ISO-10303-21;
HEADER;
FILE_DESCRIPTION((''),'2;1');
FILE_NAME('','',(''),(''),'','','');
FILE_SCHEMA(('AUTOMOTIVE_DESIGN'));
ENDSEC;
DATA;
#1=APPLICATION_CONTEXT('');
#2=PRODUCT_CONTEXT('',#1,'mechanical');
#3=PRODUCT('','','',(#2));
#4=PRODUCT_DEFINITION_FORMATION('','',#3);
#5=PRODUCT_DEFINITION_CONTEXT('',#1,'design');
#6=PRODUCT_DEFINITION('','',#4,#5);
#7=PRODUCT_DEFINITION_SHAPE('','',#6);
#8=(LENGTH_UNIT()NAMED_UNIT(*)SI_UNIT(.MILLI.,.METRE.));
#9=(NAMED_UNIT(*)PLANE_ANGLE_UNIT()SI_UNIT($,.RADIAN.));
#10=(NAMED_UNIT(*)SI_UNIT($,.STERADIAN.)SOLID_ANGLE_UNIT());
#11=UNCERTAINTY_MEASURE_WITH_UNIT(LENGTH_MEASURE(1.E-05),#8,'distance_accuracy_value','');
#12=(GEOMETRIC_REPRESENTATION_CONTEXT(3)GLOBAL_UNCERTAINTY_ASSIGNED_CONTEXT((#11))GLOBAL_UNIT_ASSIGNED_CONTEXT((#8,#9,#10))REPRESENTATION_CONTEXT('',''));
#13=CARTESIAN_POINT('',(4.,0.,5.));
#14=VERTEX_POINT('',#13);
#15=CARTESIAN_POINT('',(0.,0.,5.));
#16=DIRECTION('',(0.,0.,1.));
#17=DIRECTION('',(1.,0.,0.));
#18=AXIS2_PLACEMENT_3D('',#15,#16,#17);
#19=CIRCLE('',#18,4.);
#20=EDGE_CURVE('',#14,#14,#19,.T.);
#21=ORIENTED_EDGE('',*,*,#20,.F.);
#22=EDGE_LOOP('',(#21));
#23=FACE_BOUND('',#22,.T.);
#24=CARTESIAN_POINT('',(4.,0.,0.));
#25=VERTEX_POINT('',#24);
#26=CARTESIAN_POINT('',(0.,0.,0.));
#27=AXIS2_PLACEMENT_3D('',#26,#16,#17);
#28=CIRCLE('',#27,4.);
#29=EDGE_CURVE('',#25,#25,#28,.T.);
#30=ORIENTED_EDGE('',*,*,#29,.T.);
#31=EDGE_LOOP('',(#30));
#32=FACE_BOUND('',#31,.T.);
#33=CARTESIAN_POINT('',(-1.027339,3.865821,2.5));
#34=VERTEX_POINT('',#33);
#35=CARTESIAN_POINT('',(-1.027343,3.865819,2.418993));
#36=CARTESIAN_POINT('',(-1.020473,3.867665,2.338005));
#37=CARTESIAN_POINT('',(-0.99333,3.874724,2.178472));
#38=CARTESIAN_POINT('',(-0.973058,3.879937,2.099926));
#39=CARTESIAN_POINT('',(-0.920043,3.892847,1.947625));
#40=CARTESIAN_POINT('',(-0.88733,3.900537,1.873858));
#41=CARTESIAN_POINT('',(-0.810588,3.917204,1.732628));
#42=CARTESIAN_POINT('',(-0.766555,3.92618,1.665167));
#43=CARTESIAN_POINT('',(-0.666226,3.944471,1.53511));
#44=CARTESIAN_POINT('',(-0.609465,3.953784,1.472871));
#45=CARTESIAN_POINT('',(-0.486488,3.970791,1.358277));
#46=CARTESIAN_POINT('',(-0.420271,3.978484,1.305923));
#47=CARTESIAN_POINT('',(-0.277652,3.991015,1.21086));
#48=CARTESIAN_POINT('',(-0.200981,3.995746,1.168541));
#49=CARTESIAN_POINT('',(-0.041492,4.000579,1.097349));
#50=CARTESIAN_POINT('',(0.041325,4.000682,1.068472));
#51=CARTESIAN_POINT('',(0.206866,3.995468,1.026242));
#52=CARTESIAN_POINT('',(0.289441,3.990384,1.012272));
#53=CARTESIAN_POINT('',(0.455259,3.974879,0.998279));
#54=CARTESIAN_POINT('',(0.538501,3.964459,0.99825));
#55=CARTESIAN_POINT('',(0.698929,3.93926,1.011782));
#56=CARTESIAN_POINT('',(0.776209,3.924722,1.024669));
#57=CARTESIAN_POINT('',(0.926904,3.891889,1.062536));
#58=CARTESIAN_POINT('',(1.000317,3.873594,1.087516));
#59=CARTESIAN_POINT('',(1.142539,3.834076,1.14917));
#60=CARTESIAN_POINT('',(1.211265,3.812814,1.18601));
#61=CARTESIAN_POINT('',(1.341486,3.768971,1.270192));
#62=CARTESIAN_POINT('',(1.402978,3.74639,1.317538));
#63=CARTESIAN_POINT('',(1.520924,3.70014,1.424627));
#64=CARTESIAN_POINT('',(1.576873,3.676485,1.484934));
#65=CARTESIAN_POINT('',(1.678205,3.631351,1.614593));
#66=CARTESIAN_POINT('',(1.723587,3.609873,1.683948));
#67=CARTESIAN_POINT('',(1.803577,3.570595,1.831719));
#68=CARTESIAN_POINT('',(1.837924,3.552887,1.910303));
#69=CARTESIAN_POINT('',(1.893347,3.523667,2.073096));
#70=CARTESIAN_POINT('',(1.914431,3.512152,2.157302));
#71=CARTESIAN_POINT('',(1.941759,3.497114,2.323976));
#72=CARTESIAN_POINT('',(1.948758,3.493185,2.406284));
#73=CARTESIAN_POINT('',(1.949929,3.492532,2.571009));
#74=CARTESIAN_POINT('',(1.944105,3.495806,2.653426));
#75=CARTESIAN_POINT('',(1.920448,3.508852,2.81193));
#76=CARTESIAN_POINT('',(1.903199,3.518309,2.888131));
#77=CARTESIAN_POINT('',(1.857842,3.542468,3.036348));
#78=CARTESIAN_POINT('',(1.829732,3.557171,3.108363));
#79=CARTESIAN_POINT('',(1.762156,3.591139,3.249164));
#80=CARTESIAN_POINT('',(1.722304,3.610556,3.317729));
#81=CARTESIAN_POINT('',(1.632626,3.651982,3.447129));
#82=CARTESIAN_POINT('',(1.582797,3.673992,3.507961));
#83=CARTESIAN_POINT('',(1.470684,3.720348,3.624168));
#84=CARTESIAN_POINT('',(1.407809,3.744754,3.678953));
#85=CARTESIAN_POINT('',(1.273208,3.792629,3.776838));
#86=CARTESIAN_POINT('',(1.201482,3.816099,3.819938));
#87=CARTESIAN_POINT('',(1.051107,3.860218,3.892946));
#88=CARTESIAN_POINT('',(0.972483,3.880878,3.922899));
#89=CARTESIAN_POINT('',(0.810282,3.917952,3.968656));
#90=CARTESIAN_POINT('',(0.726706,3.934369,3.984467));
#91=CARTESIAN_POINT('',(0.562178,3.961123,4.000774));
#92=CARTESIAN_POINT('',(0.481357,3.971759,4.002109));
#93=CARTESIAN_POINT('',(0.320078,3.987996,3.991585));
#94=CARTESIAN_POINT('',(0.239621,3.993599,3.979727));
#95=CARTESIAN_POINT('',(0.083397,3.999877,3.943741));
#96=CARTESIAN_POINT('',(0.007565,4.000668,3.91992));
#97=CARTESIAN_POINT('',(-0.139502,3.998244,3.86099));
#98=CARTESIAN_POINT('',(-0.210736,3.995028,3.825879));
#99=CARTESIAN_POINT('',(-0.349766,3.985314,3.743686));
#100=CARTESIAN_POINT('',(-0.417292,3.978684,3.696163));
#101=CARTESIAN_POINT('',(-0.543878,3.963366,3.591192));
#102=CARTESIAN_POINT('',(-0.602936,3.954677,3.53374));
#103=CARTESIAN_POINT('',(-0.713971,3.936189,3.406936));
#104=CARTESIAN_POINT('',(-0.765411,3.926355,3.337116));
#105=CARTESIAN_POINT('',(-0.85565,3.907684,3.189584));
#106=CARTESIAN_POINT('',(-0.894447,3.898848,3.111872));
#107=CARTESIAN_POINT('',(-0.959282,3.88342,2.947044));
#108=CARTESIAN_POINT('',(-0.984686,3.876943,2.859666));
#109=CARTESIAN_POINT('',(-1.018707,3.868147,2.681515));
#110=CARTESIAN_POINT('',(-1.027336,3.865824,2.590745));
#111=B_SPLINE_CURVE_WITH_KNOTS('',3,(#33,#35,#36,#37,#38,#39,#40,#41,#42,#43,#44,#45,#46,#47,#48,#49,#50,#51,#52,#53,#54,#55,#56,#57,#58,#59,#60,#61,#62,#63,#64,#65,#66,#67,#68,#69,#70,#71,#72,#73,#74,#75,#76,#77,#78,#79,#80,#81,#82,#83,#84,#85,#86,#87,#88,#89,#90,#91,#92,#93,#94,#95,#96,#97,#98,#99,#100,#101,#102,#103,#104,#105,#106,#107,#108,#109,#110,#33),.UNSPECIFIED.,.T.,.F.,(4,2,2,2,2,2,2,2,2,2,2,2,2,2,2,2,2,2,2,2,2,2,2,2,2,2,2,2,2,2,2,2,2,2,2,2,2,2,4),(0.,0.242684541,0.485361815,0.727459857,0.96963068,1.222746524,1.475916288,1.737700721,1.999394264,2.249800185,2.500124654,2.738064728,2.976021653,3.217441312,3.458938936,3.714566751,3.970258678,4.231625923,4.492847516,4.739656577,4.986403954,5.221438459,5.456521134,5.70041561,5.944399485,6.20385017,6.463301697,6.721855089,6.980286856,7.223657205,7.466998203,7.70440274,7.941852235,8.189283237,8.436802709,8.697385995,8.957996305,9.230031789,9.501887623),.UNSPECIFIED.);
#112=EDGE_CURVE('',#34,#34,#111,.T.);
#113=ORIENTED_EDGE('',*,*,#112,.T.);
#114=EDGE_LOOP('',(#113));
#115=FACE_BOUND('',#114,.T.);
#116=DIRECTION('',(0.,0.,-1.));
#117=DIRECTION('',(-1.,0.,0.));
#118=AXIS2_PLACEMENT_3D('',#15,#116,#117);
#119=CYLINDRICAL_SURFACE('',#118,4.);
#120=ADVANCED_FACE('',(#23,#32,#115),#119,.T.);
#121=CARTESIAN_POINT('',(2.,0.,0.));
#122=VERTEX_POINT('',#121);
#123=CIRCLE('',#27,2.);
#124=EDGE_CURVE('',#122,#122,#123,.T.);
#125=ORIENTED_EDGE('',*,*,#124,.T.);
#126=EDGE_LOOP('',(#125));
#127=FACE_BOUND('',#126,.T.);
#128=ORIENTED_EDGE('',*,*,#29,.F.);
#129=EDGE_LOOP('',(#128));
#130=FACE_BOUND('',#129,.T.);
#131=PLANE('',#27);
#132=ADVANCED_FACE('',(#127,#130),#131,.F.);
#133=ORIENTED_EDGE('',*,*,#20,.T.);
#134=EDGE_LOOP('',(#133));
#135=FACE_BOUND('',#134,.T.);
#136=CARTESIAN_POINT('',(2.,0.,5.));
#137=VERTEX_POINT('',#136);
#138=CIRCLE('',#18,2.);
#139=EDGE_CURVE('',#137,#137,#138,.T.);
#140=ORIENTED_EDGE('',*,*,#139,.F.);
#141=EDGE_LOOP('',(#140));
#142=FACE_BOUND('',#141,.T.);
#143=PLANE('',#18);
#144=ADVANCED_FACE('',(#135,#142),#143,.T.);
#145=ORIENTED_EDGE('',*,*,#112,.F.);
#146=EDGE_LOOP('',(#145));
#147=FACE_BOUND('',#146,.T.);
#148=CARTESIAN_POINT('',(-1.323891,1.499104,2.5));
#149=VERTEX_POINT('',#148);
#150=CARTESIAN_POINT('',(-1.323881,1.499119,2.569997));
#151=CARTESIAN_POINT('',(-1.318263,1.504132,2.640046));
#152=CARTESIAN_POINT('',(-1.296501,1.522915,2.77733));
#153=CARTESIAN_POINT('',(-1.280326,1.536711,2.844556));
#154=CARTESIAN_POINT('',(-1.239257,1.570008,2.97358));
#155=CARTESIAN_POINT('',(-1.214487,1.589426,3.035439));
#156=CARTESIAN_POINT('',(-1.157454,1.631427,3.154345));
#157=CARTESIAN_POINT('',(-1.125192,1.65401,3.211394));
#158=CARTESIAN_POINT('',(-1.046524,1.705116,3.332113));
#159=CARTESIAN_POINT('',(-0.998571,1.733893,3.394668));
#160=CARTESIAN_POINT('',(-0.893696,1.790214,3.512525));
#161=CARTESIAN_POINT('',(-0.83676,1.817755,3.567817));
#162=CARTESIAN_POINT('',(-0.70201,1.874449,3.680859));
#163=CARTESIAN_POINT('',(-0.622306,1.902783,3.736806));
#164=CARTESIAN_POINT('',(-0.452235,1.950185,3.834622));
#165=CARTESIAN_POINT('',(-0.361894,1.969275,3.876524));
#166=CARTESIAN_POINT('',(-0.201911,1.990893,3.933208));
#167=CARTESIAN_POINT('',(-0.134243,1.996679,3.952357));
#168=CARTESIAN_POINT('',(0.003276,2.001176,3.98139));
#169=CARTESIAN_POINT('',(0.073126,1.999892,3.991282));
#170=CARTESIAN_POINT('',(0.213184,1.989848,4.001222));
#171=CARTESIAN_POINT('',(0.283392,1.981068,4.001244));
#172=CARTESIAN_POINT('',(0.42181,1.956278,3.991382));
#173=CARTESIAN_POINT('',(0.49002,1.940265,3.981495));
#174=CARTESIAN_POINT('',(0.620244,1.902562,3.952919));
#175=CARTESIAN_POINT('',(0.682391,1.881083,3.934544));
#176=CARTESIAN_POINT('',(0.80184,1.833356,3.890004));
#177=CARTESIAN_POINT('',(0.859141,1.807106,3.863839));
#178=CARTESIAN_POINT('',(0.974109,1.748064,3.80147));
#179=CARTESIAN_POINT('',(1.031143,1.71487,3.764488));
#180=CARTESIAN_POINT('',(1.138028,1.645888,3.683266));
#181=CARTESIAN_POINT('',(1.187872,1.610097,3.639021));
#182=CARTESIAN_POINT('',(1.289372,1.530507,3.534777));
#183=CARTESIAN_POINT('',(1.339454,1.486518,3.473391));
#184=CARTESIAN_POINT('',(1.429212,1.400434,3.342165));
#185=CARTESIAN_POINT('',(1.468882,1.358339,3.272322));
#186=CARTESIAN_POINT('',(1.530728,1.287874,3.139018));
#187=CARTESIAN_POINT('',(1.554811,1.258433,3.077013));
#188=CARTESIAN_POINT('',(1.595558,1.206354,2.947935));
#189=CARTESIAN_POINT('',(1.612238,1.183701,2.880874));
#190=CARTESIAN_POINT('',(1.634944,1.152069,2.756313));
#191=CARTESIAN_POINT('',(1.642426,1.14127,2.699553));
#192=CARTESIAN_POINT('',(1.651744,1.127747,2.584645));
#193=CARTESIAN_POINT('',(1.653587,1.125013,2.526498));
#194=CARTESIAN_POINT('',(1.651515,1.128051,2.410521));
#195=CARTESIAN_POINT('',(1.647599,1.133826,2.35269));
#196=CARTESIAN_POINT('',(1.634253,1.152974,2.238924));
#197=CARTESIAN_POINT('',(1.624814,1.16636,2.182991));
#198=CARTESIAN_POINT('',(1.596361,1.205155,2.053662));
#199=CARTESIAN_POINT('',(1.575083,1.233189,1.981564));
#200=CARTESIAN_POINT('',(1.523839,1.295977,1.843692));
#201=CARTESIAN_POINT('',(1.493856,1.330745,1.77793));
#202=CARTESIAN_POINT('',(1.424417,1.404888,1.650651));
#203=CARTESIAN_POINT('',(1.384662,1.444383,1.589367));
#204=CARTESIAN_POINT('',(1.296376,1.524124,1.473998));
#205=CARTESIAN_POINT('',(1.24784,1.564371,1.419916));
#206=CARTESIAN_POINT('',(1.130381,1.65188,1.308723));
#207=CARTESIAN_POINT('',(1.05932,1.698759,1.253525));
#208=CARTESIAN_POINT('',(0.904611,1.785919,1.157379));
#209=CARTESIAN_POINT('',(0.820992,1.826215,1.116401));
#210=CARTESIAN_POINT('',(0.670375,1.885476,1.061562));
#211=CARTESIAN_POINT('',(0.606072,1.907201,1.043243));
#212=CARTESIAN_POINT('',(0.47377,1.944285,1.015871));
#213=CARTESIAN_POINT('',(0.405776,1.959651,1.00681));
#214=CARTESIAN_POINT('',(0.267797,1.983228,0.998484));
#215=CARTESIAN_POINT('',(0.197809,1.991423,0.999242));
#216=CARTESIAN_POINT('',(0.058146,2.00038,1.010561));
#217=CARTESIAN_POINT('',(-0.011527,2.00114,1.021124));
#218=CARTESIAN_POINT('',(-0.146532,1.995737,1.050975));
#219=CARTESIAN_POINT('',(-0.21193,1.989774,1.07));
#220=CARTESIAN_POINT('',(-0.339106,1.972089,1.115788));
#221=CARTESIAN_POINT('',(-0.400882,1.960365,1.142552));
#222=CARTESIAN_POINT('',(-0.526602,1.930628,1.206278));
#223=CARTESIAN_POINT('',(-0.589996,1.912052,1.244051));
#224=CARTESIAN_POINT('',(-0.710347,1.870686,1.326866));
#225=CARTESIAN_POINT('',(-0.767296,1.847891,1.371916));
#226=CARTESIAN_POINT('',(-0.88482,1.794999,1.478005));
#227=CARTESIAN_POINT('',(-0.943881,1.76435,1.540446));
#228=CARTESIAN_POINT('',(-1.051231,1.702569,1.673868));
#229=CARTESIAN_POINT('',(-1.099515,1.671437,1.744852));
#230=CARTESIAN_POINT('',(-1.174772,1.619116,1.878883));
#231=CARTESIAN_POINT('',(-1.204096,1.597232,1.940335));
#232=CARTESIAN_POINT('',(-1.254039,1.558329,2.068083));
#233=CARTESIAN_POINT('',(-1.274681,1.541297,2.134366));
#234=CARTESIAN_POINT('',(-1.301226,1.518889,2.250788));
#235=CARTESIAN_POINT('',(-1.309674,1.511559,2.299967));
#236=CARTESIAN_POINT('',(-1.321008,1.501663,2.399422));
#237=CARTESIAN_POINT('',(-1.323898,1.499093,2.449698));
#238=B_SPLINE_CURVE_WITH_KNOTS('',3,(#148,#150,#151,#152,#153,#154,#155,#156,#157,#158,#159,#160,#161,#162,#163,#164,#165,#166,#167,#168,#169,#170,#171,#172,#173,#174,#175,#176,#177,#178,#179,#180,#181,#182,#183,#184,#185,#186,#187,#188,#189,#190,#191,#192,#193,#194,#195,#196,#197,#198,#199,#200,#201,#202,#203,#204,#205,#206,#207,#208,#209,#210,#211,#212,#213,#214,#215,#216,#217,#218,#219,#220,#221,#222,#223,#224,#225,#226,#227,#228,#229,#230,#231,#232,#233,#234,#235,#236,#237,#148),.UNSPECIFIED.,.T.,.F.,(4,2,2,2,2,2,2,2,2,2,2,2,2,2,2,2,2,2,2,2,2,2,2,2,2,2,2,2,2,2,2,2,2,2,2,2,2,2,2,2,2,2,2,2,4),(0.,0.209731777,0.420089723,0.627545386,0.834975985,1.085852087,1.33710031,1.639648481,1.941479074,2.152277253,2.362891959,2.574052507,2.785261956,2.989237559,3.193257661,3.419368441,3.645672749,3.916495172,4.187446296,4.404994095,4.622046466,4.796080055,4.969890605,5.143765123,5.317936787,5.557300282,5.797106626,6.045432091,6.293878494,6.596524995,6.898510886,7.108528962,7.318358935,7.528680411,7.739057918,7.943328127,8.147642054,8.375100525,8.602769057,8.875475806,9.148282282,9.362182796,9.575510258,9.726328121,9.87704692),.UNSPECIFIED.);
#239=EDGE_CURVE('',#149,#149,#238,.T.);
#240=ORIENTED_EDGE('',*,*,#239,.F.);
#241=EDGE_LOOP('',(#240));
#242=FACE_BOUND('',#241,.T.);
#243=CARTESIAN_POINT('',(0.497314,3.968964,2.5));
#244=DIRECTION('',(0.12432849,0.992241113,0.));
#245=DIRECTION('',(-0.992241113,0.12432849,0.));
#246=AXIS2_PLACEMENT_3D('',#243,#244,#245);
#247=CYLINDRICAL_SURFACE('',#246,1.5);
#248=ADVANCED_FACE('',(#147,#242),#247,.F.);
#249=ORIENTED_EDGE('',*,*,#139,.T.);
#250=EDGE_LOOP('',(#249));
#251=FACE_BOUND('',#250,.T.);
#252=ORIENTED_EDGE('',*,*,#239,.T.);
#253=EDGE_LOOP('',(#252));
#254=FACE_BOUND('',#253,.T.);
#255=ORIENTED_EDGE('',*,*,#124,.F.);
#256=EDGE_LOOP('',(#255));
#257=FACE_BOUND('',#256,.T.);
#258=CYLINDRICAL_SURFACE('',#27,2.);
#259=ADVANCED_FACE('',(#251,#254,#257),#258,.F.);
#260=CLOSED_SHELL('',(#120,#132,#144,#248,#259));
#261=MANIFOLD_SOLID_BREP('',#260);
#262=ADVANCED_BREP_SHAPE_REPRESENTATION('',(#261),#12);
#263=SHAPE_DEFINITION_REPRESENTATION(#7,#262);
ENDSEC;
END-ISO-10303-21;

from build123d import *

# Parameters (mm, degrees)
SKETCH_1_R          = 4
EXTRUDE_1_DEPTH     = 5
SKETCH_2_R          = 2
CUT_EXTRUDE_1_DEPTH = 8.549834435
M3X0_5_1_REACH      = 11.486
M3X0_5_1_BORE_R     = 1.5


with BuildPart() as part:
    # ｽｹｯﾁ1 → ﾎﾞｽ - 押し出し1 (new body)
    with BuildSketch(Plane.XY):
        Circle(SKETCH_1_R)
    extrude(amount=EXTRUDE_1_DEPTH)

    # ｽｹｯﾁ2 → ｶｯﾄ - 押し出し1 (cut, through all)
    with BuildSketch(Plane.XY.offset(5)):
        Circle(SKETCH_2_R)
    extrude(amount=-CUT_EXTRUDE_1_DEPTH, mode=Mode.SUBTRACT)

    # M3x0.5 ねじ穴1 bore (on position points) → M3x0.5 ねじ穴1 (cut, up to next)
    with BuildSketch(Plane(origin=(0.497313961, 3.968964452, 2.5), x_dir=(0.992241113083, -0.124328490328, 0), z_dir=(0.124328490328, 0.992241113083, 0)), mode=Mode.PRIVATE) as m3x0_5_1_sk1:
        Circle(M3X0_5_1_BORE_R)
    m3x0_5_1_tool1 = extrude(m3x0_5_1_sk1.sketch, amount=-M3X0_5_1_REACH, mode=Mode.PRIVATE) & part.part
    add(m3x0_5_1_tool1.solids().sort_by_distance((0.497314, 3.968964, 2.5))[0], mode=Mode.SUBTRACT)


solid = part.part
